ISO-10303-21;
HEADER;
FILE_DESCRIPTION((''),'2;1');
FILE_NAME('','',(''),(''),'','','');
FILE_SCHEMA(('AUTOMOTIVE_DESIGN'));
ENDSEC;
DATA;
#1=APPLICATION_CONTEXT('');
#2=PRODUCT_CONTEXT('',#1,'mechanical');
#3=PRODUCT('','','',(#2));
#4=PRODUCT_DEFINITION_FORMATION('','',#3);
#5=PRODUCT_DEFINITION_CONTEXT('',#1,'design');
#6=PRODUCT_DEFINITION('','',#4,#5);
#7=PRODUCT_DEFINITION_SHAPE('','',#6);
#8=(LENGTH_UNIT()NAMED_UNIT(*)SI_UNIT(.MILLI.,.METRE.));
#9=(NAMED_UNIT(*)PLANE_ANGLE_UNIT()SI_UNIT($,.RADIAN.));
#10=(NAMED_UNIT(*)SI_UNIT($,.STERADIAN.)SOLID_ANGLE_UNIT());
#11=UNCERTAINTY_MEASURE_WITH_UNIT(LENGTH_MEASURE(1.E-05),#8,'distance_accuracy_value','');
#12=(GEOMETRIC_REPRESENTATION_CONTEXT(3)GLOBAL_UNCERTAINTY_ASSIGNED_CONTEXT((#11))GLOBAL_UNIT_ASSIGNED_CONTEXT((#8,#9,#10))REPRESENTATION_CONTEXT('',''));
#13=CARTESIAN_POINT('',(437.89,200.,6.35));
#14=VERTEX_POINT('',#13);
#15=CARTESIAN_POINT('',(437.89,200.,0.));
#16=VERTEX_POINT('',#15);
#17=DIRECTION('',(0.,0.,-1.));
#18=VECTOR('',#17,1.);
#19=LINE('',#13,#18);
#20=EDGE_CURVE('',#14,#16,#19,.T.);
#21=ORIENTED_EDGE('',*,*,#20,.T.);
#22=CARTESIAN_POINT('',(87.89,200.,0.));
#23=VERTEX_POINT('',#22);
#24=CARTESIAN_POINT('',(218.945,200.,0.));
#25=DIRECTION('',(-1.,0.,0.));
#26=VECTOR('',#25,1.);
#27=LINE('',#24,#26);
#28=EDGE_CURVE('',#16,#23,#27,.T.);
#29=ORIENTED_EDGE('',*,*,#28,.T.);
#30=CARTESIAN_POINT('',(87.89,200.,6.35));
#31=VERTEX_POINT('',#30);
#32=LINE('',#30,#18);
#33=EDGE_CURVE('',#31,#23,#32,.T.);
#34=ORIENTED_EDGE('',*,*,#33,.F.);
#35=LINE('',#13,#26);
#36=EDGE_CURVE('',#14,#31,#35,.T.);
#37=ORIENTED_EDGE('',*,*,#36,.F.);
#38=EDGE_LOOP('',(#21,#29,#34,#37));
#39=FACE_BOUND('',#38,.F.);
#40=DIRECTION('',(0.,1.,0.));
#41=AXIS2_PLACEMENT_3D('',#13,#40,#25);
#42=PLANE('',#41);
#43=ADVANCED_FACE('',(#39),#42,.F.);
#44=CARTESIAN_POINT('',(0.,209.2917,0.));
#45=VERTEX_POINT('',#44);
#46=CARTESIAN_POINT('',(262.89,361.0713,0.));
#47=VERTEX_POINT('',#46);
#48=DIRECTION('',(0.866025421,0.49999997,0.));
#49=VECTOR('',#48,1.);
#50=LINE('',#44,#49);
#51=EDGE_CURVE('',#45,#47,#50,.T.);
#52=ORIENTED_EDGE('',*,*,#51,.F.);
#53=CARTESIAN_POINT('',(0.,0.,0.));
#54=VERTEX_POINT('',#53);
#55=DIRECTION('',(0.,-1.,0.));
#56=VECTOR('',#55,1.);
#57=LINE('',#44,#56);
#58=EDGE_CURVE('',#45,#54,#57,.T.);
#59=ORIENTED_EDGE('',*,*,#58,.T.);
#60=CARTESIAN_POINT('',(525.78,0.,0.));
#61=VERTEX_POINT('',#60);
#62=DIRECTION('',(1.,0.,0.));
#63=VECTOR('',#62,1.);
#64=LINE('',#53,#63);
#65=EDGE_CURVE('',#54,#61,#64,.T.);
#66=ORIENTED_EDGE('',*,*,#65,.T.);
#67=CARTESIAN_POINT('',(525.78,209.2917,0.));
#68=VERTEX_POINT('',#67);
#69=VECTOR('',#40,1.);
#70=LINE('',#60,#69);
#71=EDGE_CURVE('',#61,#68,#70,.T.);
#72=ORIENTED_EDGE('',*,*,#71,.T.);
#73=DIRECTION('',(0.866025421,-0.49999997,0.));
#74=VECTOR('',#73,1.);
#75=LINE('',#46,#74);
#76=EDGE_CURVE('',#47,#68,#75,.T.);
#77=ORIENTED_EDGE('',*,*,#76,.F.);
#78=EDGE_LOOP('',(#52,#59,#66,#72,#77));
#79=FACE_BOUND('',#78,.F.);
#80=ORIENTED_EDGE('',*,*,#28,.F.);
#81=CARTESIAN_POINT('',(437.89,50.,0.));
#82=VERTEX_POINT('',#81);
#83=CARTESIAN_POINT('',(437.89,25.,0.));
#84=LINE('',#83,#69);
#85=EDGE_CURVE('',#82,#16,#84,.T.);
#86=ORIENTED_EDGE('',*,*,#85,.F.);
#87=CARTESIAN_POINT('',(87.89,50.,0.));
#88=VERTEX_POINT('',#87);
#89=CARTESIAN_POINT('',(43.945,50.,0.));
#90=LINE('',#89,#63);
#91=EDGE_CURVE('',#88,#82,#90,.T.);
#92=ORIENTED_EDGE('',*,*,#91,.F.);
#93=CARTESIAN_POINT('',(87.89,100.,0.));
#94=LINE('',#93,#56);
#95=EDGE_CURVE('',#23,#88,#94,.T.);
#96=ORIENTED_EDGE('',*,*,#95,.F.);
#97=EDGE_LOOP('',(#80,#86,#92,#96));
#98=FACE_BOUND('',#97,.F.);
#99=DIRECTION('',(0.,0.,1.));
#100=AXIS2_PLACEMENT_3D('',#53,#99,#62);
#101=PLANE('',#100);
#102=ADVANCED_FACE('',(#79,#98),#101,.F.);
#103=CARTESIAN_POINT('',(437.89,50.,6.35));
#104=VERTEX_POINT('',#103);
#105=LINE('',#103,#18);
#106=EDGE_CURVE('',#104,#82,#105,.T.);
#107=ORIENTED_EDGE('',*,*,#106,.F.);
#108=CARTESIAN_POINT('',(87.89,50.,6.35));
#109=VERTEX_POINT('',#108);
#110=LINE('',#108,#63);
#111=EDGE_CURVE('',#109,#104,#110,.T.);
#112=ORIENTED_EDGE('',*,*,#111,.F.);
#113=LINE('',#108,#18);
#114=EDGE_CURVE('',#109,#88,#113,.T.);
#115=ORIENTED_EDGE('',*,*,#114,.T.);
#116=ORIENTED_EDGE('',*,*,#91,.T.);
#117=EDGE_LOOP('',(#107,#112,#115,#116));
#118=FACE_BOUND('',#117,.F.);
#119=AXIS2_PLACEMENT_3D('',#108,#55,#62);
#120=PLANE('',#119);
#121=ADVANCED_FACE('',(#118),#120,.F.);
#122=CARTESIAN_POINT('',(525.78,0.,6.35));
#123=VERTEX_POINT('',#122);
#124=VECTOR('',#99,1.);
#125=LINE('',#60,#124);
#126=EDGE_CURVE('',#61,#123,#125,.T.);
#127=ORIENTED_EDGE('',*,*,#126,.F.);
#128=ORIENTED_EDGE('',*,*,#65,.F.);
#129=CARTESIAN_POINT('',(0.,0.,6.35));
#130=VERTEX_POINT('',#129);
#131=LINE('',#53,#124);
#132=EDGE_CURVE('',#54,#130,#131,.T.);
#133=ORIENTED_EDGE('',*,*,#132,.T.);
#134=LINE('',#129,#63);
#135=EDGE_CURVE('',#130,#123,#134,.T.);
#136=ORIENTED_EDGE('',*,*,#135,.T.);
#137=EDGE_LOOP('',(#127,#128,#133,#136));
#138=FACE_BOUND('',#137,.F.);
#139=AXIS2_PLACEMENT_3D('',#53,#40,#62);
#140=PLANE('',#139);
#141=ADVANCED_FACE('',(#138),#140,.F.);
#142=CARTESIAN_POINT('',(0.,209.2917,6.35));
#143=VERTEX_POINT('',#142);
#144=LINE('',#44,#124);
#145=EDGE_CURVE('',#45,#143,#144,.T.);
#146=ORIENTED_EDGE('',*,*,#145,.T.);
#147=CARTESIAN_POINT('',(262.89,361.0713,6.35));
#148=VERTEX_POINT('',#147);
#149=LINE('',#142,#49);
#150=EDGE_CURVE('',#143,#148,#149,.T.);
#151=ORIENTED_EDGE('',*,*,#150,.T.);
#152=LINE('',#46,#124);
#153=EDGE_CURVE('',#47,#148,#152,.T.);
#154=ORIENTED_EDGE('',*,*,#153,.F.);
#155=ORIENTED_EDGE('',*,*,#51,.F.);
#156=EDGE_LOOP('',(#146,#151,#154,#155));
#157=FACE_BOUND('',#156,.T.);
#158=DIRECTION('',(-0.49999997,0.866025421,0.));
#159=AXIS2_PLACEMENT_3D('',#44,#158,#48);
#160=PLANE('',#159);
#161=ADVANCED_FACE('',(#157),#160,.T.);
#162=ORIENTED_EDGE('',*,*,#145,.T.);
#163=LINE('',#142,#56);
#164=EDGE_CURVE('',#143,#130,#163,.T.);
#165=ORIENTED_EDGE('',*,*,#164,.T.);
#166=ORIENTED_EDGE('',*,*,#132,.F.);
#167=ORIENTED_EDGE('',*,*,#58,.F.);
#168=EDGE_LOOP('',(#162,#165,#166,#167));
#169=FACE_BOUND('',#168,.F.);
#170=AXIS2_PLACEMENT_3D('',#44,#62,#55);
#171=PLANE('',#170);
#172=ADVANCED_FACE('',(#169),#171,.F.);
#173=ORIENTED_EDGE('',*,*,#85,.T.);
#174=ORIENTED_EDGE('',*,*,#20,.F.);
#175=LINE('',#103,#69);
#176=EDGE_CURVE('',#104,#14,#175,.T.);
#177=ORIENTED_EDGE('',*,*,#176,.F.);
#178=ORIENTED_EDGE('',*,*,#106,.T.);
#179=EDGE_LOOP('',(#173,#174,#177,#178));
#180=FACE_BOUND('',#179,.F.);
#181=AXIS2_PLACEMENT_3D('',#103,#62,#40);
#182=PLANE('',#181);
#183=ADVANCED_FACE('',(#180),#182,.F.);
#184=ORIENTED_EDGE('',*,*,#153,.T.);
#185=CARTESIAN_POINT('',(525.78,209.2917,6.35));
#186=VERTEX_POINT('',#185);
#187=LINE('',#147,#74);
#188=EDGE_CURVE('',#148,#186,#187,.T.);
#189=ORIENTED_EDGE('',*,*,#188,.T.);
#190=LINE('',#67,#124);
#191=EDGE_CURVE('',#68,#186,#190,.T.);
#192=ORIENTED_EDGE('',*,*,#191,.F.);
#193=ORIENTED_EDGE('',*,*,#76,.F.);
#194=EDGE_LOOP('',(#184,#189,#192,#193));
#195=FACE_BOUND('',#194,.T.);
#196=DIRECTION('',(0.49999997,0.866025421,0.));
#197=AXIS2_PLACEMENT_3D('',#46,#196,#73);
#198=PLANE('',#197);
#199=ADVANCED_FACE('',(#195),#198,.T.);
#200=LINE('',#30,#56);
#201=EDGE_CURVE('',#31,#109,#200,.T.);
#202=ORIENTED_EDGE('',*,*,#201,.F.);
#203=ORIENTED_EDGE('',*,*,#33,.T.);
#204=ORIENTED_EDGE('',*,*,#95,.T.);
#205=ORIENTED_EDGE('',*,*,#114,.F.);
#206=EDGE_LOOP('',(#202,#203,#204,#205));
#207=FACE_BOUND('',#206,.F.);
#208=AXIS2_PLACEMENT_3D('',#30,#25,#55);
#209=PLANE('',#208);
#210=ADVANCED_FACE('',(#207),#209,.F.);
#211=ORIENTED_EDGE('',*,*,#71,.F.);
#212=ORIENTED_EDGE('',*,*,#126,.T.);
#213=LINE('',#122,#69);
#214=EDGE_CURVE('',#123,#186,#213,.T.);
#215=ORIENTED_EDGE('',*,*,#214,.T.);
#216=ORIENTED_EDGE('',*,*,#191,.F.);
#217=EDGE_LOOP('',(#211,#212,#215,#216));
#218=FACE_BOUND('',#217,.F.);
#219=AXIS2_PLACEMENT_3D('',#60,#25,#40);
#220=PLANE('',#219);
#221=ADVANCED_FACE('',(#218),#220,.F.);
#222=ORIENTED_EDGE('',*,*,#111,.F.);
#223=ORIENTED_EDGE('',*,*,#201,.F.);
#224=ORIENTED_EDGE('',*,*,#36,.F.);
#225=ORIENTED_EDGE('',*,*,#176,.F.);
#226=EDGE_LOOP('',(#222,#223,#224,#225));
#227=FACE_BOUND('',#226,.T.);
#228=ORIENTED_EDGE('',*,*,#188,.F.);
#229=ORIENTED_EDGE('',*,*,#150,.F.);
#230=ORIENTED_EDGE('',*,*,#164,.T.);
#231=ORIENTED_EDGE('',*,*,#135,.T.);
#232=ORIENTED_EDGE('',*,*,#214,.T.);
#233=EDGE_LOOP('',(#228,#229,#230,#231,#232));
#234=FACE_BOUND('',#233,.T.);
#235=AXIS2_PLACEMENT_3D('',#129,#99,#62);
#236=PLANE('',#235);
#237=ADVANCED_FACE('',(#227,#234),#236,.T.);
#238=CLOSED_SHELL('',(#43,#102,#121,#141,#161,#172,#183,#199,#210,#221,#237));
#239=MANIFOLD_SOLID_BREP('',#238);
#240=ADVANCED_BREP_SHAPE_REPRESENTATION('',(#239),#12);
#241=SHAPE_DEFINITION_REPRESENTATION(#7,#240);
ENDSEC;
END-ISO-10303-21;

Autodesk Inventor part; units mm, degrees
ref_plane "YZ Plane" through (0, 0, 0) normal (1, 0, 0) x (0, 1, 0)
ref_plane "XZ Plane" through (0, 0, 0) normal (0, 1, 0) x (-1, 0, 0)
ref_plane "XY Plane" through (0, 0, 0) normal (0, 0, 1) x (1, 0, 0)
sketch "Sketch1" plane through (0, 0, 0) normal (0, 0, 1) x (1, 0, 0)
  line L0 (0, 0) -> (525.78, 0)
  line L1 (525.78, 0) -> (525.78, 209.2917)
  line L2 (525.78, 209.2917) -> (0, 209.2917)
  line L3 (0, 209.2917) -> (0, 0)
  line L4 (0, 209.2917) -> (262.89, 361.0713)
  line L5 (262.89, 361.0713) -> (525.78, 209.2917)
  point P0 (262.89, 209.2917)
  dimension "d0" = 525.78
  dimension "d1" = 209.2917
  dimension "d2" = 30
extrude "Extrusion1" add sketch "Sketch1" along normal blind 6.35
sketch "Sketch5" plane through (0, 0, 6.35) normal (0, 0, 1) x (1, 0, 0)
  line L0 (87.89, 50) -> (437.89, 50)
  line L1 (437.89, 50) -> (437.89, 200)
  line L2 (437.89, 200) -> (87.89, 200)
  line L3 (87.89, 200) -> (87.89, 50)
  line L4 (0, 0) -> (525.78, 0) projected
  point P0 (262.89, 200)
  point P1 (262.89, 361.0713)
  dimension "d16" = 350
  dimension "d17" = 150
  dimension "d21" = 50
extrude "Extrusion5" cut sketch "Sketch5" against normal through all
properties part number "BA10" material "ABS Plastic"
